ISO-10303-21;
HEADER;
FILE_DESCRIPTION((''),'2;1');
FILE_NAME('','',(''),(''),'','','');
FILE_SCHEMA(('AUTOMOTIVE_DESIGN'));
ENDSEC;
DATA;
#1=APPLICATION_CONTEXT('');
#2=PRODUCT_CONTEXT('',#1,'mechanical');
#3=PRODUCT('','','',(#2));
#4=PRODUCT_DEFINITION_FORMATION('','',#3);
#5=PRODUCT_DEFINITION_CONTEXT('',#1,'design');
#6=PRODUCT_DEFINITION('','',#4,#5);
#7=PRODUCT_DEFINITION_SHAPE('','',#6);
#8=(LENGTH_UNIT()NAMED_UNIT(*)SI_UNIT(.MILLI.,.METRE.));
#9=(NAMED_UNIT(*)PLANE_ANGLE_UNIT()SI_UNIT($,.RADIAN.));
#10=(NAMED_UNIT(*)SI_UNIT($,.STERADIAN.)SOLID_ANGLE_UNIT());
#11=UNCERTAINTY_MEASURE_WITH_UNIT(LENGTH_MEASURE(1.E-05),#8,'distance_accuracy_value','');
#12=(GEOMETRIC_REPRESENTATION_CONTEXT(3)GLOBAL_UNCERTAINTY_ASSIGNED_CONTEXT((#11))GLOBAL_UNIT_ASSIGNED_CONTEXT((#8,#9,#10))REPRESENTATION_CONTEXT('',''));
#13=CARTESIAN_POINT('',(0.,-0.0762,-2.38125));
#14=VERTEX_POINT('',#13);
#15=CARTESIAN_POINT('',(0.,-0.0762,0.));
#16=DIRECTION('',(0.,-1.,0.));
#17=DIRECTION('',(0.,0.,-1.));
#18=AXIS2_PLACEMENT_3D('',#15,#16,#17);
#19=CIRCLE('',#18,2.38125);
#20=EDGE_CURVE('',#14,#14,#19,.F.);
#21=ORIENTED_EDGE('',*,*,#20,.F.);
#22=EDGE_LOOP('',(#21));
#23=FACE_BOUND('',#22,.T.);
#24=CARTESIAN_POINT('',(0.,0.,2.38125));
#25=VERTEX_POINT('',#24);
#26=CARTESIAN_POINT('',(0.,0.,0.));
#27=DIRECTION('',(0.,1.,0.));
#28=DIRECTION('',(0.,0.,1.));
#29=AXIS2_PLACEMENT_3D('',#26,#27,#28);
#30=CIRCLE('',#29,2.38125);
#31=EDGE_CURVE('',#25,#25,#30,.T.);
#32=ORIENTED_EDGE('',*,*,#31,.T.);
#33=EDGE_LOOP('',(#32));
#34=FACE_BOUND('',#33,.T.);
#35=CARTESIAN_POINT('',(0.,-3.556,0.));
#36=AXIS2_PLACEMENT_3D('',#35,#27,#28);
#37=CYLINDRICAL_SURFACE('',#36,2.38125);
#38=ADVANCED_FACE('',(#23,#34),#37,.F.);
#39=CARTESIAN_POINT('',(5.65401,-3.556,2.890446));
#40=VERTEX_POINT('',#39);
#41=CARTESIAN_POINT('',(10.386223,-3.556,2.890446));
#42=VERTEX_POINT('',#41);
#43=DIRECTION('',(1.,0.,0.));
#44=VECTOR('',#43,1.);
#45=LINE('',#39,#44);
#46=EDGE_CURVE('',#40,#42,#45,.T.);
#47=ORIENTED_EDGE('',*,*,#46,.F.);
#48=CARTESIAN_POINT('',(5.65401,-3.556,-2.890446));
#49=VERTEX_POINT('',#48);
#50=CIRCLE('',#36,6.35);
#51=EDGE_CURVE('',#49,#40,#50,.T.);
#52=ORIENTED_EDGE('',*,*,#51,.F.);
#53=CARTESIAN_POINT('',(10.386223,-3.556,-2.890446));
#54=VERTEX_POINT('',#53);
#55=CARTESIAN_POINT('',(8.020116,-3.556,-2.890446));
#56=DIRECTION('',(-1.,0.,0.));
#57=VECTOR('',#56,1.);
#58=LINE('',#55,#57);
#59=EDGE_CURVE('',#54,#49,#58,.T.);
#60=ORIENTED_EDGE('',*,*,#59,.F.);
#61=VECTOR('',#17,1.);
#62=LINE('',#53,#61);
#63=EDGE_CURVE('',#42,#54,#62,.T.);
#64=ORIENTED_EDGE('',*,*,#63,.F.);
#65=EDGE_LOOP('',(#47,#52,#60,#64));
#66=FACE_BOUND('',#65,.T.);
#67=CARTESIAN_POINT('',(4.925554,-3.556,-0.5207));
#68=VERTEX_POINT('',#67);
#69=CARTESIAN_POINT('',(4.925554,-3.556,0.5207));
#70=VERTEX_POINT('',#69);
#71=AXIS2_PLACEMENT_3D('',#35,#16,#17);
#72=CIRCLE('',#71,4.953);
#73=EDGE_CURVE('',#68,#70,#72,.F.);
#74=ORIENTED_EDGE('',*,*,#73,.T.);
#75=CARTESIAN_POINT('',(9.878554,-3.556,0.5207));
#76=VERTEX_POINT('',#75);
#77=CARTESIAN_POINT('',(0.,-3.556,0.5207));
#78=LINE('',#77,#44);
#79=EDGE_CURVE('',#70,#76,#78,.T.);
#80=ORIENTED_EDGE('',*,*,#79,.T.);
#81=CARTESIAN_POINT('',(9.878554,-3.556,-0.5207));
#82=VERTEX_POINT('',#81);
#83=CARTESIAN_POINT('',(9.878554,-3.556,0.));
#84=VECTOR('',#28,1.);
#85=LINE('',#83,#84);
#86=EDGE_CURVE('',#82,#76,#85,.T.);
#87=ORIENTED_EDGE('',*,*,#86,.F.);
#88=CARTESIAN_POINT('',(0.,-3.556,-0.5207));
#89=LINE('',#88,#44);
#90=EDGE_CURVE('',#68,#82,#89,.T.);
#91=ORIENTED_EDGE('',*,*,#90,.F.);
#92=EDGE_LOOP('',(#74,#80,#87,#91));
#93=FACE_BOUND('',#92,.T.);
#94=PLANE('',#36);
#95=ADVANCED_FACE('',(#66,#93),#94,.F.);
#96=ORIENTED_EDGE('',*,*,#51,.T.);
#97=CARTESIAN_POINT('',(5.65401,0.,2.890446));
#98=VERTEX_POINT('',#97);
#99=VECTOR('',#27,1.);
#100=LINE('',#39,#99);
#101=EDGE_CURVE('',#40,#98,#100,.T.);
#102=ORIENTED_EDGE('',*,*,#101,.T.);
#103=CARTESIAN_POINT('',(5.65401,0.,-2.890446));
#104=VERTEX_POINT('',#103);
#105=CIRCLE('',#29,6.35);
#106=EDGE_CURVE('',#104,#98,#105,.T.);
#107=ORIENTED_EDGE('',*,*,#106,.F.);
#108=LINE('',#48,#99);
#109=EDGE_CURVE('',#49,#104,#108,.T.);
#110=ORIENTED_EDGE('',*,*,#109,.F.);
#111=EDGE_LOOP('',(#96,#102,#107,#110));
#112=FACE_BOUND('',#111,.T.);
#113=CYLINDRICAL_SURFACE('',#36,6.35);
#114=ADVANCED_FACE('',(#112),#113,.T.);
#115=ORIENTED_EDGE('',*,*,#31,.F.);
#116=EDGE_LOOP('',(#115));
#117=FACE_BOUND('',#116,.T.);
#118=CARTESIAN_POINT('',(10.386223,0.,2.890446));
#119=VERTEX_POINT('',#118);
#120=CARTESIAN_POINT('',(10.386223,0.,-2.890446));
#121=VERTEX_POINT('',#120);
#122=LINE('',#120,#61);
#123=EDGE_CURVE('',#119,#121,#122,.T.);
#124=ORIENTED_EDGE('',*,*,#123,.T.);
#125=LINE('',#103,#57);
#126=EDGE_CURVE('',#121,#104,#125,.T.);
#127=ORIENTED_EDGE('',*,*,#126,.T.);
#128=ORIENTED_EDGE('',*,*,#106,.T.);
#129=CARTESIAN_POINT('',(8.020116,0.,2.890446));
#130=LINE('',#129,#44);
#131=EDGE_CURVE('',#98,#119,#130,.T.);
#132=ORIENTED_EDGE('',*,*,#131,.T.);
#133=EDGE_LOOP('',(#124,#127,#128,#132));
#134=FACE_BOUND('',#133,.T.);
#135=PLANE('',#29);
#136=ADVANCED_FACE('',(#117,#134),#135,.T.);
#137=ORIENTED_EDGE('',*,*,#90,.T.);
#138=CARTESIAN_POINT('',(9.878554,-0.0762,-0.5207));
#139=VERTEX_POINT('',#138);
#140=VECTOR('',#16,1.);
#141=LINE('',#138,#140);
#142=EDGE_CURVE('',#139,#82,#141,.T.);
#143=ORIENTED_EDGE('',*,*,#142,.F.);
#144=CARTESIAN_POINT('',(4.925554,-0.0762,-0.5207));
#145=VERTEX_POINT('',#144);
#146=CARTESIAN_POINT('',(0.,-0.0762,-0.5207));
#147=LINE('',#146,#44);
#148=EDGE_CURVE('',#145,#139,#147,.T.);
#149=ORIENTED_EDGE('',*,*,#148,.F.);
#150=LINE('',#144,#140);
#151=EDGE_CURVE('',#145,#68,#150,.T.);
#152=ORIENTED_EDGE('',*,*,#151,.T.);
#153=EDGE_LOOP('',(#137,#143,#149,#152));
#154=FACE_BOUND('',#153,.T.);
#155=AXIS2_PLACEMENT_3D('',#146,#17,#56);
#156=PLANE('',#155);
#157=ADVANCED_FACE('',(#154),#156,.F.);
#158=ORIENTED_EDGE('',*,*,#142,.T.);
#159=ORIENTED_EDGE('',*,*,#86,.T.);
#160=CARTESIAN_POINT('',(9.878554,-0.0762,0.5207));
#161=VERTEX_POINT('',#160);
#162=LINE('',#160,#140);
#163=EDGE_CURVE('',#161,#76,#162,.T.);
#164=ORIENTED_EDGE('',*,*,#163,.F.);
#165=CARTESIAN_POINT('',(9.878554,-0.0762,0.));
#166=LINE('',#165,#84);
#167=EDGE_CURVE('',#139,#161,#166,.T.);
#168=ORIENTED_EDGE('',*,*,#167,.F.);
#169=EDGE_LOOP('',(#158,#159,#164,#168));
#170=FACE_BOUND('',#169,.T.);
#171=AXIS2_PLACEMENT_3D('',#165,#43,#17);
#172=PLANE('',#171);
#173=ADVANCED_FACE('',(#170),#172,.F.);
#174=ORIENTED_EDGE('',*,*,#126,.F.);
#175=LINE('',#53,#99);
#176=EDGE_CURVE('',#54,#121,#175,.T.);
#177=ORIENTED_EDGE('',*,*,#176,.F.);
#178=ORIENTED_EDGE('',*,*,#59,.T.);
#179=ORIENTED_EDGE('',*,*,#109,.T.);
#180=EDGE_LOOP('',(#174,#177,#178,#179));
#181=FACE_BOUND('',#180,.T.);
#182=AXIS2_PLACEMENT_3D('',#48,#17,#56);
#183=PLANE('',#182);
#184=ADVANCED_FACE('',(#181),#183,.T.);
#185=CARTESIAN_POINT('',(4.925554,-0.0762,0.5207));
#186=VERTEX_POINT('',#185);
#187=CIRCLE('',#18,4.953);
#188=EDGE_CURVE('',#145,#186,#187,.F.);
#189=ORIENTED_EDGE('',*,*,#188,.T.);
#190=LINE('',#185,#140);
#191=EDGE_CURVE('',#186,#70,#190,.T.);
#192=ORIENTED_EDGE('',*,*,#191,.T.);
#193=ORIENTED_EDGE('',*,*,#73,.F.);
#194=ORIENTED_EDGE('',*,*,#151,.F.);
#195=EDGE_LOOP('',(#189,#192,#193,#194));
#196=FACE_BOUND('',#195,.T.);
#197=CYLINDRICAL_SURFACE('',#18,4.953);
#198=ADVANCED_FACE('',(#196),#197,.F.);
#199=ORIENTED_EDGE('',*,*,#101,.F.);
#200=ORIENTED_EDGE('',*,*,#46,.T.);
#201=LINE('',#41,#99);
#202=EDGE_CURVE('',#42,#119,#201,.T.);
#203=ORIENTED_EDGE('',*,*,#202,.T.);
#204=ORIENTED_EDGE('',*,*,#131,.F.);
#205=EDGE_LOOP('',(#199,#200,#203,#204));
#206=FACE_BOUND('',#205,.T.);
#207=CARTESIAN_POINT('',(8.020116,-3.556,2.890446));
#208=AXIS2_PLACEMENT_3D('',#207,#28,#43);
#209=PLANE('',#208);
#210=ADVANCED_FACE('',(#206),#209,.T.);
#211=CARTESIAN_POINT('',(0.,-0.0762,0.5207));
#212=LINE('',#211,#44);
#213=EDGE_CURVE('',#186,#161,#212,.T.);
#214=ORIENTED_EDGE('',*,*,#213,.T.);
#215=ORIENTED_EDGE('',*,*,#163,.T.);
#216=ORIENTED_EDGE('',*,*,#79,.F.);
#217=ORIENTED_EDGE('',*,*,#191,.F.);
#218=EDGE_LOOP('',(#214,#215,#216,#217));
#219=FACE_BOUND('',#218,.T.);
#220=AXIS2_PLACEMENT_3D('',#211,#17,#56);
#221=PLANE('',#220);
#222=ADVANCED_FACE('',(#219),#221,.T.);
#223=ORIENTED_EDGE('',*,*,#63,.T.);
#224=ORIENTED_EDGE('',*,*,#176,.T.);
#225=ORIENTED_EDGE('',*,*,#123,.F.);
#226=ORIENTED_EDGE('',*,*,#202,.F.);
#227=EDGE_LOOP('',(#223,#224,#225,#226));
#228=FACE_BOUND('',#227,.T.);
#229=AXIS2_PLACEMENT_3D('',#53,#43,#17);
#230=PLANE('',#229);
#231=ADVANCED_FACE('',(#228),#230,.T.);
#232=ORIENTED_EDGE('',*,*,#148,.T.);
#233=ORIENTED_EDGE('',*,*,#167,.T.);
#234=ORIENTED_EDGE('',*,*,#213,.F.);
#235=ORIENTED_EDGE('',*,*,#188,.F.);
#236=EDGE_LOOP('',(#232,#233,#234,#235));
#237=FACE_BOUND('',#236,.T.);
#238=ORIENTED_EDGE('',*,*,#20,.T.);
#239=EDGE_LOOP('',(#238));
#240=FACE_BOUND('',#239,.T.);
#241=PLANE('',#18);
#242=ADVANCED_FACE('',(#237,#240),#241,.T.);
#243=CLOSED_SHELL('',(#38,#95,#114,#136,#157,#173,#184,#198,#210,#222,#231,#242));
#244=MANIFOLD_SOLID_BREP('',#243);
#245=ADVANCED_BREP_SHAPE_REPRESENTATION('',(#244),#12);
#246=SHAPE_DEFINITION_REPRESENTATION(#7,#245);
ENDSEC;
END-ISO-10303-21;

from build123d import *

# Parameters (mm, degrees)
SKETCH3_R           = 2.38125
BOSS_EXTRUDE1_DEPTH = 3.556
CUT_EXTRUDE1_START  = -3.4798
SKETCH4_R           = 2.38125
CUT_EXTRUDE1_DEPTH  = 3.4798


with BuildPart() as part:
    # Sketch3 → Boss-Extrude1 (new body)
    with BuildSketch(Plane(origin=(0, 0, 0), x_dir=(1, 0, 0), z_dir=(0, 1, 0))):
        with BuildLine():
            Line((5.654009559, -2.890445624), (8.020116475, -2.890445624))
            Line((8.020116475, -2.890445624), (10.386223391, -2.890445624))
            Line((10.386223391, -2.890445624), (10.386223391, 2.890445624))
            Line((10.386223391, 2.890445624), (8.020116475, 2.890445624))
            Line((8.020116475, 2.890445624), (5.654009559, 2.890445624))
            ThreePointArc((5.654009559, 2.890445624), (-6.35, 0), (5.654009559, -2.890445624))
        make_face()
        Circle(SKETCH3_R, mode=Mode.SUBTRACT)
    extrude(amount=-BOSS_EXTRUDE1_DEPTH)

    # Sketch4 → Cut-Extrude1 (cut)
    with BuildSketch(Plane(origin=(0, -3.556, 0), x_dir=(-1, 0, 0), z_dir=(0, -1, 0)).offset(CUT_EXTRUDE1_START)):
        with BuildLine():
            ThreePointArc((4.936299023, -0.4064), (0.463581133, 4.931257602), (-4.925553828, 0.5207))
            Line((-4.925553828, 0.5207), (-7.402053828, 0.5207))
            Line((-7.402053828, 0.5207), (-9.878553828, 0.5207))
            Line((-9.878553828, 0.5207), (-9.878553828, -0.5207))
            Line((-9.878553828, -0.5207), (-7.402053828, -0.5207))
            Line((-7.402053828, -0.5207), (-4.925553828, -0.5207))
            ThreePointArc((-4.925553828, -0.5207), (0.05740198, -4.952667363), (4.936299023, -0.4064))
        make_face()
        Circle(SKETCH4_R, mode=Mode.SUBTRACT)
    extrude(amount=CUT_EXTRUDE1_DEPTH, mode=Mode.SUBTRACT)


solid = part.part
